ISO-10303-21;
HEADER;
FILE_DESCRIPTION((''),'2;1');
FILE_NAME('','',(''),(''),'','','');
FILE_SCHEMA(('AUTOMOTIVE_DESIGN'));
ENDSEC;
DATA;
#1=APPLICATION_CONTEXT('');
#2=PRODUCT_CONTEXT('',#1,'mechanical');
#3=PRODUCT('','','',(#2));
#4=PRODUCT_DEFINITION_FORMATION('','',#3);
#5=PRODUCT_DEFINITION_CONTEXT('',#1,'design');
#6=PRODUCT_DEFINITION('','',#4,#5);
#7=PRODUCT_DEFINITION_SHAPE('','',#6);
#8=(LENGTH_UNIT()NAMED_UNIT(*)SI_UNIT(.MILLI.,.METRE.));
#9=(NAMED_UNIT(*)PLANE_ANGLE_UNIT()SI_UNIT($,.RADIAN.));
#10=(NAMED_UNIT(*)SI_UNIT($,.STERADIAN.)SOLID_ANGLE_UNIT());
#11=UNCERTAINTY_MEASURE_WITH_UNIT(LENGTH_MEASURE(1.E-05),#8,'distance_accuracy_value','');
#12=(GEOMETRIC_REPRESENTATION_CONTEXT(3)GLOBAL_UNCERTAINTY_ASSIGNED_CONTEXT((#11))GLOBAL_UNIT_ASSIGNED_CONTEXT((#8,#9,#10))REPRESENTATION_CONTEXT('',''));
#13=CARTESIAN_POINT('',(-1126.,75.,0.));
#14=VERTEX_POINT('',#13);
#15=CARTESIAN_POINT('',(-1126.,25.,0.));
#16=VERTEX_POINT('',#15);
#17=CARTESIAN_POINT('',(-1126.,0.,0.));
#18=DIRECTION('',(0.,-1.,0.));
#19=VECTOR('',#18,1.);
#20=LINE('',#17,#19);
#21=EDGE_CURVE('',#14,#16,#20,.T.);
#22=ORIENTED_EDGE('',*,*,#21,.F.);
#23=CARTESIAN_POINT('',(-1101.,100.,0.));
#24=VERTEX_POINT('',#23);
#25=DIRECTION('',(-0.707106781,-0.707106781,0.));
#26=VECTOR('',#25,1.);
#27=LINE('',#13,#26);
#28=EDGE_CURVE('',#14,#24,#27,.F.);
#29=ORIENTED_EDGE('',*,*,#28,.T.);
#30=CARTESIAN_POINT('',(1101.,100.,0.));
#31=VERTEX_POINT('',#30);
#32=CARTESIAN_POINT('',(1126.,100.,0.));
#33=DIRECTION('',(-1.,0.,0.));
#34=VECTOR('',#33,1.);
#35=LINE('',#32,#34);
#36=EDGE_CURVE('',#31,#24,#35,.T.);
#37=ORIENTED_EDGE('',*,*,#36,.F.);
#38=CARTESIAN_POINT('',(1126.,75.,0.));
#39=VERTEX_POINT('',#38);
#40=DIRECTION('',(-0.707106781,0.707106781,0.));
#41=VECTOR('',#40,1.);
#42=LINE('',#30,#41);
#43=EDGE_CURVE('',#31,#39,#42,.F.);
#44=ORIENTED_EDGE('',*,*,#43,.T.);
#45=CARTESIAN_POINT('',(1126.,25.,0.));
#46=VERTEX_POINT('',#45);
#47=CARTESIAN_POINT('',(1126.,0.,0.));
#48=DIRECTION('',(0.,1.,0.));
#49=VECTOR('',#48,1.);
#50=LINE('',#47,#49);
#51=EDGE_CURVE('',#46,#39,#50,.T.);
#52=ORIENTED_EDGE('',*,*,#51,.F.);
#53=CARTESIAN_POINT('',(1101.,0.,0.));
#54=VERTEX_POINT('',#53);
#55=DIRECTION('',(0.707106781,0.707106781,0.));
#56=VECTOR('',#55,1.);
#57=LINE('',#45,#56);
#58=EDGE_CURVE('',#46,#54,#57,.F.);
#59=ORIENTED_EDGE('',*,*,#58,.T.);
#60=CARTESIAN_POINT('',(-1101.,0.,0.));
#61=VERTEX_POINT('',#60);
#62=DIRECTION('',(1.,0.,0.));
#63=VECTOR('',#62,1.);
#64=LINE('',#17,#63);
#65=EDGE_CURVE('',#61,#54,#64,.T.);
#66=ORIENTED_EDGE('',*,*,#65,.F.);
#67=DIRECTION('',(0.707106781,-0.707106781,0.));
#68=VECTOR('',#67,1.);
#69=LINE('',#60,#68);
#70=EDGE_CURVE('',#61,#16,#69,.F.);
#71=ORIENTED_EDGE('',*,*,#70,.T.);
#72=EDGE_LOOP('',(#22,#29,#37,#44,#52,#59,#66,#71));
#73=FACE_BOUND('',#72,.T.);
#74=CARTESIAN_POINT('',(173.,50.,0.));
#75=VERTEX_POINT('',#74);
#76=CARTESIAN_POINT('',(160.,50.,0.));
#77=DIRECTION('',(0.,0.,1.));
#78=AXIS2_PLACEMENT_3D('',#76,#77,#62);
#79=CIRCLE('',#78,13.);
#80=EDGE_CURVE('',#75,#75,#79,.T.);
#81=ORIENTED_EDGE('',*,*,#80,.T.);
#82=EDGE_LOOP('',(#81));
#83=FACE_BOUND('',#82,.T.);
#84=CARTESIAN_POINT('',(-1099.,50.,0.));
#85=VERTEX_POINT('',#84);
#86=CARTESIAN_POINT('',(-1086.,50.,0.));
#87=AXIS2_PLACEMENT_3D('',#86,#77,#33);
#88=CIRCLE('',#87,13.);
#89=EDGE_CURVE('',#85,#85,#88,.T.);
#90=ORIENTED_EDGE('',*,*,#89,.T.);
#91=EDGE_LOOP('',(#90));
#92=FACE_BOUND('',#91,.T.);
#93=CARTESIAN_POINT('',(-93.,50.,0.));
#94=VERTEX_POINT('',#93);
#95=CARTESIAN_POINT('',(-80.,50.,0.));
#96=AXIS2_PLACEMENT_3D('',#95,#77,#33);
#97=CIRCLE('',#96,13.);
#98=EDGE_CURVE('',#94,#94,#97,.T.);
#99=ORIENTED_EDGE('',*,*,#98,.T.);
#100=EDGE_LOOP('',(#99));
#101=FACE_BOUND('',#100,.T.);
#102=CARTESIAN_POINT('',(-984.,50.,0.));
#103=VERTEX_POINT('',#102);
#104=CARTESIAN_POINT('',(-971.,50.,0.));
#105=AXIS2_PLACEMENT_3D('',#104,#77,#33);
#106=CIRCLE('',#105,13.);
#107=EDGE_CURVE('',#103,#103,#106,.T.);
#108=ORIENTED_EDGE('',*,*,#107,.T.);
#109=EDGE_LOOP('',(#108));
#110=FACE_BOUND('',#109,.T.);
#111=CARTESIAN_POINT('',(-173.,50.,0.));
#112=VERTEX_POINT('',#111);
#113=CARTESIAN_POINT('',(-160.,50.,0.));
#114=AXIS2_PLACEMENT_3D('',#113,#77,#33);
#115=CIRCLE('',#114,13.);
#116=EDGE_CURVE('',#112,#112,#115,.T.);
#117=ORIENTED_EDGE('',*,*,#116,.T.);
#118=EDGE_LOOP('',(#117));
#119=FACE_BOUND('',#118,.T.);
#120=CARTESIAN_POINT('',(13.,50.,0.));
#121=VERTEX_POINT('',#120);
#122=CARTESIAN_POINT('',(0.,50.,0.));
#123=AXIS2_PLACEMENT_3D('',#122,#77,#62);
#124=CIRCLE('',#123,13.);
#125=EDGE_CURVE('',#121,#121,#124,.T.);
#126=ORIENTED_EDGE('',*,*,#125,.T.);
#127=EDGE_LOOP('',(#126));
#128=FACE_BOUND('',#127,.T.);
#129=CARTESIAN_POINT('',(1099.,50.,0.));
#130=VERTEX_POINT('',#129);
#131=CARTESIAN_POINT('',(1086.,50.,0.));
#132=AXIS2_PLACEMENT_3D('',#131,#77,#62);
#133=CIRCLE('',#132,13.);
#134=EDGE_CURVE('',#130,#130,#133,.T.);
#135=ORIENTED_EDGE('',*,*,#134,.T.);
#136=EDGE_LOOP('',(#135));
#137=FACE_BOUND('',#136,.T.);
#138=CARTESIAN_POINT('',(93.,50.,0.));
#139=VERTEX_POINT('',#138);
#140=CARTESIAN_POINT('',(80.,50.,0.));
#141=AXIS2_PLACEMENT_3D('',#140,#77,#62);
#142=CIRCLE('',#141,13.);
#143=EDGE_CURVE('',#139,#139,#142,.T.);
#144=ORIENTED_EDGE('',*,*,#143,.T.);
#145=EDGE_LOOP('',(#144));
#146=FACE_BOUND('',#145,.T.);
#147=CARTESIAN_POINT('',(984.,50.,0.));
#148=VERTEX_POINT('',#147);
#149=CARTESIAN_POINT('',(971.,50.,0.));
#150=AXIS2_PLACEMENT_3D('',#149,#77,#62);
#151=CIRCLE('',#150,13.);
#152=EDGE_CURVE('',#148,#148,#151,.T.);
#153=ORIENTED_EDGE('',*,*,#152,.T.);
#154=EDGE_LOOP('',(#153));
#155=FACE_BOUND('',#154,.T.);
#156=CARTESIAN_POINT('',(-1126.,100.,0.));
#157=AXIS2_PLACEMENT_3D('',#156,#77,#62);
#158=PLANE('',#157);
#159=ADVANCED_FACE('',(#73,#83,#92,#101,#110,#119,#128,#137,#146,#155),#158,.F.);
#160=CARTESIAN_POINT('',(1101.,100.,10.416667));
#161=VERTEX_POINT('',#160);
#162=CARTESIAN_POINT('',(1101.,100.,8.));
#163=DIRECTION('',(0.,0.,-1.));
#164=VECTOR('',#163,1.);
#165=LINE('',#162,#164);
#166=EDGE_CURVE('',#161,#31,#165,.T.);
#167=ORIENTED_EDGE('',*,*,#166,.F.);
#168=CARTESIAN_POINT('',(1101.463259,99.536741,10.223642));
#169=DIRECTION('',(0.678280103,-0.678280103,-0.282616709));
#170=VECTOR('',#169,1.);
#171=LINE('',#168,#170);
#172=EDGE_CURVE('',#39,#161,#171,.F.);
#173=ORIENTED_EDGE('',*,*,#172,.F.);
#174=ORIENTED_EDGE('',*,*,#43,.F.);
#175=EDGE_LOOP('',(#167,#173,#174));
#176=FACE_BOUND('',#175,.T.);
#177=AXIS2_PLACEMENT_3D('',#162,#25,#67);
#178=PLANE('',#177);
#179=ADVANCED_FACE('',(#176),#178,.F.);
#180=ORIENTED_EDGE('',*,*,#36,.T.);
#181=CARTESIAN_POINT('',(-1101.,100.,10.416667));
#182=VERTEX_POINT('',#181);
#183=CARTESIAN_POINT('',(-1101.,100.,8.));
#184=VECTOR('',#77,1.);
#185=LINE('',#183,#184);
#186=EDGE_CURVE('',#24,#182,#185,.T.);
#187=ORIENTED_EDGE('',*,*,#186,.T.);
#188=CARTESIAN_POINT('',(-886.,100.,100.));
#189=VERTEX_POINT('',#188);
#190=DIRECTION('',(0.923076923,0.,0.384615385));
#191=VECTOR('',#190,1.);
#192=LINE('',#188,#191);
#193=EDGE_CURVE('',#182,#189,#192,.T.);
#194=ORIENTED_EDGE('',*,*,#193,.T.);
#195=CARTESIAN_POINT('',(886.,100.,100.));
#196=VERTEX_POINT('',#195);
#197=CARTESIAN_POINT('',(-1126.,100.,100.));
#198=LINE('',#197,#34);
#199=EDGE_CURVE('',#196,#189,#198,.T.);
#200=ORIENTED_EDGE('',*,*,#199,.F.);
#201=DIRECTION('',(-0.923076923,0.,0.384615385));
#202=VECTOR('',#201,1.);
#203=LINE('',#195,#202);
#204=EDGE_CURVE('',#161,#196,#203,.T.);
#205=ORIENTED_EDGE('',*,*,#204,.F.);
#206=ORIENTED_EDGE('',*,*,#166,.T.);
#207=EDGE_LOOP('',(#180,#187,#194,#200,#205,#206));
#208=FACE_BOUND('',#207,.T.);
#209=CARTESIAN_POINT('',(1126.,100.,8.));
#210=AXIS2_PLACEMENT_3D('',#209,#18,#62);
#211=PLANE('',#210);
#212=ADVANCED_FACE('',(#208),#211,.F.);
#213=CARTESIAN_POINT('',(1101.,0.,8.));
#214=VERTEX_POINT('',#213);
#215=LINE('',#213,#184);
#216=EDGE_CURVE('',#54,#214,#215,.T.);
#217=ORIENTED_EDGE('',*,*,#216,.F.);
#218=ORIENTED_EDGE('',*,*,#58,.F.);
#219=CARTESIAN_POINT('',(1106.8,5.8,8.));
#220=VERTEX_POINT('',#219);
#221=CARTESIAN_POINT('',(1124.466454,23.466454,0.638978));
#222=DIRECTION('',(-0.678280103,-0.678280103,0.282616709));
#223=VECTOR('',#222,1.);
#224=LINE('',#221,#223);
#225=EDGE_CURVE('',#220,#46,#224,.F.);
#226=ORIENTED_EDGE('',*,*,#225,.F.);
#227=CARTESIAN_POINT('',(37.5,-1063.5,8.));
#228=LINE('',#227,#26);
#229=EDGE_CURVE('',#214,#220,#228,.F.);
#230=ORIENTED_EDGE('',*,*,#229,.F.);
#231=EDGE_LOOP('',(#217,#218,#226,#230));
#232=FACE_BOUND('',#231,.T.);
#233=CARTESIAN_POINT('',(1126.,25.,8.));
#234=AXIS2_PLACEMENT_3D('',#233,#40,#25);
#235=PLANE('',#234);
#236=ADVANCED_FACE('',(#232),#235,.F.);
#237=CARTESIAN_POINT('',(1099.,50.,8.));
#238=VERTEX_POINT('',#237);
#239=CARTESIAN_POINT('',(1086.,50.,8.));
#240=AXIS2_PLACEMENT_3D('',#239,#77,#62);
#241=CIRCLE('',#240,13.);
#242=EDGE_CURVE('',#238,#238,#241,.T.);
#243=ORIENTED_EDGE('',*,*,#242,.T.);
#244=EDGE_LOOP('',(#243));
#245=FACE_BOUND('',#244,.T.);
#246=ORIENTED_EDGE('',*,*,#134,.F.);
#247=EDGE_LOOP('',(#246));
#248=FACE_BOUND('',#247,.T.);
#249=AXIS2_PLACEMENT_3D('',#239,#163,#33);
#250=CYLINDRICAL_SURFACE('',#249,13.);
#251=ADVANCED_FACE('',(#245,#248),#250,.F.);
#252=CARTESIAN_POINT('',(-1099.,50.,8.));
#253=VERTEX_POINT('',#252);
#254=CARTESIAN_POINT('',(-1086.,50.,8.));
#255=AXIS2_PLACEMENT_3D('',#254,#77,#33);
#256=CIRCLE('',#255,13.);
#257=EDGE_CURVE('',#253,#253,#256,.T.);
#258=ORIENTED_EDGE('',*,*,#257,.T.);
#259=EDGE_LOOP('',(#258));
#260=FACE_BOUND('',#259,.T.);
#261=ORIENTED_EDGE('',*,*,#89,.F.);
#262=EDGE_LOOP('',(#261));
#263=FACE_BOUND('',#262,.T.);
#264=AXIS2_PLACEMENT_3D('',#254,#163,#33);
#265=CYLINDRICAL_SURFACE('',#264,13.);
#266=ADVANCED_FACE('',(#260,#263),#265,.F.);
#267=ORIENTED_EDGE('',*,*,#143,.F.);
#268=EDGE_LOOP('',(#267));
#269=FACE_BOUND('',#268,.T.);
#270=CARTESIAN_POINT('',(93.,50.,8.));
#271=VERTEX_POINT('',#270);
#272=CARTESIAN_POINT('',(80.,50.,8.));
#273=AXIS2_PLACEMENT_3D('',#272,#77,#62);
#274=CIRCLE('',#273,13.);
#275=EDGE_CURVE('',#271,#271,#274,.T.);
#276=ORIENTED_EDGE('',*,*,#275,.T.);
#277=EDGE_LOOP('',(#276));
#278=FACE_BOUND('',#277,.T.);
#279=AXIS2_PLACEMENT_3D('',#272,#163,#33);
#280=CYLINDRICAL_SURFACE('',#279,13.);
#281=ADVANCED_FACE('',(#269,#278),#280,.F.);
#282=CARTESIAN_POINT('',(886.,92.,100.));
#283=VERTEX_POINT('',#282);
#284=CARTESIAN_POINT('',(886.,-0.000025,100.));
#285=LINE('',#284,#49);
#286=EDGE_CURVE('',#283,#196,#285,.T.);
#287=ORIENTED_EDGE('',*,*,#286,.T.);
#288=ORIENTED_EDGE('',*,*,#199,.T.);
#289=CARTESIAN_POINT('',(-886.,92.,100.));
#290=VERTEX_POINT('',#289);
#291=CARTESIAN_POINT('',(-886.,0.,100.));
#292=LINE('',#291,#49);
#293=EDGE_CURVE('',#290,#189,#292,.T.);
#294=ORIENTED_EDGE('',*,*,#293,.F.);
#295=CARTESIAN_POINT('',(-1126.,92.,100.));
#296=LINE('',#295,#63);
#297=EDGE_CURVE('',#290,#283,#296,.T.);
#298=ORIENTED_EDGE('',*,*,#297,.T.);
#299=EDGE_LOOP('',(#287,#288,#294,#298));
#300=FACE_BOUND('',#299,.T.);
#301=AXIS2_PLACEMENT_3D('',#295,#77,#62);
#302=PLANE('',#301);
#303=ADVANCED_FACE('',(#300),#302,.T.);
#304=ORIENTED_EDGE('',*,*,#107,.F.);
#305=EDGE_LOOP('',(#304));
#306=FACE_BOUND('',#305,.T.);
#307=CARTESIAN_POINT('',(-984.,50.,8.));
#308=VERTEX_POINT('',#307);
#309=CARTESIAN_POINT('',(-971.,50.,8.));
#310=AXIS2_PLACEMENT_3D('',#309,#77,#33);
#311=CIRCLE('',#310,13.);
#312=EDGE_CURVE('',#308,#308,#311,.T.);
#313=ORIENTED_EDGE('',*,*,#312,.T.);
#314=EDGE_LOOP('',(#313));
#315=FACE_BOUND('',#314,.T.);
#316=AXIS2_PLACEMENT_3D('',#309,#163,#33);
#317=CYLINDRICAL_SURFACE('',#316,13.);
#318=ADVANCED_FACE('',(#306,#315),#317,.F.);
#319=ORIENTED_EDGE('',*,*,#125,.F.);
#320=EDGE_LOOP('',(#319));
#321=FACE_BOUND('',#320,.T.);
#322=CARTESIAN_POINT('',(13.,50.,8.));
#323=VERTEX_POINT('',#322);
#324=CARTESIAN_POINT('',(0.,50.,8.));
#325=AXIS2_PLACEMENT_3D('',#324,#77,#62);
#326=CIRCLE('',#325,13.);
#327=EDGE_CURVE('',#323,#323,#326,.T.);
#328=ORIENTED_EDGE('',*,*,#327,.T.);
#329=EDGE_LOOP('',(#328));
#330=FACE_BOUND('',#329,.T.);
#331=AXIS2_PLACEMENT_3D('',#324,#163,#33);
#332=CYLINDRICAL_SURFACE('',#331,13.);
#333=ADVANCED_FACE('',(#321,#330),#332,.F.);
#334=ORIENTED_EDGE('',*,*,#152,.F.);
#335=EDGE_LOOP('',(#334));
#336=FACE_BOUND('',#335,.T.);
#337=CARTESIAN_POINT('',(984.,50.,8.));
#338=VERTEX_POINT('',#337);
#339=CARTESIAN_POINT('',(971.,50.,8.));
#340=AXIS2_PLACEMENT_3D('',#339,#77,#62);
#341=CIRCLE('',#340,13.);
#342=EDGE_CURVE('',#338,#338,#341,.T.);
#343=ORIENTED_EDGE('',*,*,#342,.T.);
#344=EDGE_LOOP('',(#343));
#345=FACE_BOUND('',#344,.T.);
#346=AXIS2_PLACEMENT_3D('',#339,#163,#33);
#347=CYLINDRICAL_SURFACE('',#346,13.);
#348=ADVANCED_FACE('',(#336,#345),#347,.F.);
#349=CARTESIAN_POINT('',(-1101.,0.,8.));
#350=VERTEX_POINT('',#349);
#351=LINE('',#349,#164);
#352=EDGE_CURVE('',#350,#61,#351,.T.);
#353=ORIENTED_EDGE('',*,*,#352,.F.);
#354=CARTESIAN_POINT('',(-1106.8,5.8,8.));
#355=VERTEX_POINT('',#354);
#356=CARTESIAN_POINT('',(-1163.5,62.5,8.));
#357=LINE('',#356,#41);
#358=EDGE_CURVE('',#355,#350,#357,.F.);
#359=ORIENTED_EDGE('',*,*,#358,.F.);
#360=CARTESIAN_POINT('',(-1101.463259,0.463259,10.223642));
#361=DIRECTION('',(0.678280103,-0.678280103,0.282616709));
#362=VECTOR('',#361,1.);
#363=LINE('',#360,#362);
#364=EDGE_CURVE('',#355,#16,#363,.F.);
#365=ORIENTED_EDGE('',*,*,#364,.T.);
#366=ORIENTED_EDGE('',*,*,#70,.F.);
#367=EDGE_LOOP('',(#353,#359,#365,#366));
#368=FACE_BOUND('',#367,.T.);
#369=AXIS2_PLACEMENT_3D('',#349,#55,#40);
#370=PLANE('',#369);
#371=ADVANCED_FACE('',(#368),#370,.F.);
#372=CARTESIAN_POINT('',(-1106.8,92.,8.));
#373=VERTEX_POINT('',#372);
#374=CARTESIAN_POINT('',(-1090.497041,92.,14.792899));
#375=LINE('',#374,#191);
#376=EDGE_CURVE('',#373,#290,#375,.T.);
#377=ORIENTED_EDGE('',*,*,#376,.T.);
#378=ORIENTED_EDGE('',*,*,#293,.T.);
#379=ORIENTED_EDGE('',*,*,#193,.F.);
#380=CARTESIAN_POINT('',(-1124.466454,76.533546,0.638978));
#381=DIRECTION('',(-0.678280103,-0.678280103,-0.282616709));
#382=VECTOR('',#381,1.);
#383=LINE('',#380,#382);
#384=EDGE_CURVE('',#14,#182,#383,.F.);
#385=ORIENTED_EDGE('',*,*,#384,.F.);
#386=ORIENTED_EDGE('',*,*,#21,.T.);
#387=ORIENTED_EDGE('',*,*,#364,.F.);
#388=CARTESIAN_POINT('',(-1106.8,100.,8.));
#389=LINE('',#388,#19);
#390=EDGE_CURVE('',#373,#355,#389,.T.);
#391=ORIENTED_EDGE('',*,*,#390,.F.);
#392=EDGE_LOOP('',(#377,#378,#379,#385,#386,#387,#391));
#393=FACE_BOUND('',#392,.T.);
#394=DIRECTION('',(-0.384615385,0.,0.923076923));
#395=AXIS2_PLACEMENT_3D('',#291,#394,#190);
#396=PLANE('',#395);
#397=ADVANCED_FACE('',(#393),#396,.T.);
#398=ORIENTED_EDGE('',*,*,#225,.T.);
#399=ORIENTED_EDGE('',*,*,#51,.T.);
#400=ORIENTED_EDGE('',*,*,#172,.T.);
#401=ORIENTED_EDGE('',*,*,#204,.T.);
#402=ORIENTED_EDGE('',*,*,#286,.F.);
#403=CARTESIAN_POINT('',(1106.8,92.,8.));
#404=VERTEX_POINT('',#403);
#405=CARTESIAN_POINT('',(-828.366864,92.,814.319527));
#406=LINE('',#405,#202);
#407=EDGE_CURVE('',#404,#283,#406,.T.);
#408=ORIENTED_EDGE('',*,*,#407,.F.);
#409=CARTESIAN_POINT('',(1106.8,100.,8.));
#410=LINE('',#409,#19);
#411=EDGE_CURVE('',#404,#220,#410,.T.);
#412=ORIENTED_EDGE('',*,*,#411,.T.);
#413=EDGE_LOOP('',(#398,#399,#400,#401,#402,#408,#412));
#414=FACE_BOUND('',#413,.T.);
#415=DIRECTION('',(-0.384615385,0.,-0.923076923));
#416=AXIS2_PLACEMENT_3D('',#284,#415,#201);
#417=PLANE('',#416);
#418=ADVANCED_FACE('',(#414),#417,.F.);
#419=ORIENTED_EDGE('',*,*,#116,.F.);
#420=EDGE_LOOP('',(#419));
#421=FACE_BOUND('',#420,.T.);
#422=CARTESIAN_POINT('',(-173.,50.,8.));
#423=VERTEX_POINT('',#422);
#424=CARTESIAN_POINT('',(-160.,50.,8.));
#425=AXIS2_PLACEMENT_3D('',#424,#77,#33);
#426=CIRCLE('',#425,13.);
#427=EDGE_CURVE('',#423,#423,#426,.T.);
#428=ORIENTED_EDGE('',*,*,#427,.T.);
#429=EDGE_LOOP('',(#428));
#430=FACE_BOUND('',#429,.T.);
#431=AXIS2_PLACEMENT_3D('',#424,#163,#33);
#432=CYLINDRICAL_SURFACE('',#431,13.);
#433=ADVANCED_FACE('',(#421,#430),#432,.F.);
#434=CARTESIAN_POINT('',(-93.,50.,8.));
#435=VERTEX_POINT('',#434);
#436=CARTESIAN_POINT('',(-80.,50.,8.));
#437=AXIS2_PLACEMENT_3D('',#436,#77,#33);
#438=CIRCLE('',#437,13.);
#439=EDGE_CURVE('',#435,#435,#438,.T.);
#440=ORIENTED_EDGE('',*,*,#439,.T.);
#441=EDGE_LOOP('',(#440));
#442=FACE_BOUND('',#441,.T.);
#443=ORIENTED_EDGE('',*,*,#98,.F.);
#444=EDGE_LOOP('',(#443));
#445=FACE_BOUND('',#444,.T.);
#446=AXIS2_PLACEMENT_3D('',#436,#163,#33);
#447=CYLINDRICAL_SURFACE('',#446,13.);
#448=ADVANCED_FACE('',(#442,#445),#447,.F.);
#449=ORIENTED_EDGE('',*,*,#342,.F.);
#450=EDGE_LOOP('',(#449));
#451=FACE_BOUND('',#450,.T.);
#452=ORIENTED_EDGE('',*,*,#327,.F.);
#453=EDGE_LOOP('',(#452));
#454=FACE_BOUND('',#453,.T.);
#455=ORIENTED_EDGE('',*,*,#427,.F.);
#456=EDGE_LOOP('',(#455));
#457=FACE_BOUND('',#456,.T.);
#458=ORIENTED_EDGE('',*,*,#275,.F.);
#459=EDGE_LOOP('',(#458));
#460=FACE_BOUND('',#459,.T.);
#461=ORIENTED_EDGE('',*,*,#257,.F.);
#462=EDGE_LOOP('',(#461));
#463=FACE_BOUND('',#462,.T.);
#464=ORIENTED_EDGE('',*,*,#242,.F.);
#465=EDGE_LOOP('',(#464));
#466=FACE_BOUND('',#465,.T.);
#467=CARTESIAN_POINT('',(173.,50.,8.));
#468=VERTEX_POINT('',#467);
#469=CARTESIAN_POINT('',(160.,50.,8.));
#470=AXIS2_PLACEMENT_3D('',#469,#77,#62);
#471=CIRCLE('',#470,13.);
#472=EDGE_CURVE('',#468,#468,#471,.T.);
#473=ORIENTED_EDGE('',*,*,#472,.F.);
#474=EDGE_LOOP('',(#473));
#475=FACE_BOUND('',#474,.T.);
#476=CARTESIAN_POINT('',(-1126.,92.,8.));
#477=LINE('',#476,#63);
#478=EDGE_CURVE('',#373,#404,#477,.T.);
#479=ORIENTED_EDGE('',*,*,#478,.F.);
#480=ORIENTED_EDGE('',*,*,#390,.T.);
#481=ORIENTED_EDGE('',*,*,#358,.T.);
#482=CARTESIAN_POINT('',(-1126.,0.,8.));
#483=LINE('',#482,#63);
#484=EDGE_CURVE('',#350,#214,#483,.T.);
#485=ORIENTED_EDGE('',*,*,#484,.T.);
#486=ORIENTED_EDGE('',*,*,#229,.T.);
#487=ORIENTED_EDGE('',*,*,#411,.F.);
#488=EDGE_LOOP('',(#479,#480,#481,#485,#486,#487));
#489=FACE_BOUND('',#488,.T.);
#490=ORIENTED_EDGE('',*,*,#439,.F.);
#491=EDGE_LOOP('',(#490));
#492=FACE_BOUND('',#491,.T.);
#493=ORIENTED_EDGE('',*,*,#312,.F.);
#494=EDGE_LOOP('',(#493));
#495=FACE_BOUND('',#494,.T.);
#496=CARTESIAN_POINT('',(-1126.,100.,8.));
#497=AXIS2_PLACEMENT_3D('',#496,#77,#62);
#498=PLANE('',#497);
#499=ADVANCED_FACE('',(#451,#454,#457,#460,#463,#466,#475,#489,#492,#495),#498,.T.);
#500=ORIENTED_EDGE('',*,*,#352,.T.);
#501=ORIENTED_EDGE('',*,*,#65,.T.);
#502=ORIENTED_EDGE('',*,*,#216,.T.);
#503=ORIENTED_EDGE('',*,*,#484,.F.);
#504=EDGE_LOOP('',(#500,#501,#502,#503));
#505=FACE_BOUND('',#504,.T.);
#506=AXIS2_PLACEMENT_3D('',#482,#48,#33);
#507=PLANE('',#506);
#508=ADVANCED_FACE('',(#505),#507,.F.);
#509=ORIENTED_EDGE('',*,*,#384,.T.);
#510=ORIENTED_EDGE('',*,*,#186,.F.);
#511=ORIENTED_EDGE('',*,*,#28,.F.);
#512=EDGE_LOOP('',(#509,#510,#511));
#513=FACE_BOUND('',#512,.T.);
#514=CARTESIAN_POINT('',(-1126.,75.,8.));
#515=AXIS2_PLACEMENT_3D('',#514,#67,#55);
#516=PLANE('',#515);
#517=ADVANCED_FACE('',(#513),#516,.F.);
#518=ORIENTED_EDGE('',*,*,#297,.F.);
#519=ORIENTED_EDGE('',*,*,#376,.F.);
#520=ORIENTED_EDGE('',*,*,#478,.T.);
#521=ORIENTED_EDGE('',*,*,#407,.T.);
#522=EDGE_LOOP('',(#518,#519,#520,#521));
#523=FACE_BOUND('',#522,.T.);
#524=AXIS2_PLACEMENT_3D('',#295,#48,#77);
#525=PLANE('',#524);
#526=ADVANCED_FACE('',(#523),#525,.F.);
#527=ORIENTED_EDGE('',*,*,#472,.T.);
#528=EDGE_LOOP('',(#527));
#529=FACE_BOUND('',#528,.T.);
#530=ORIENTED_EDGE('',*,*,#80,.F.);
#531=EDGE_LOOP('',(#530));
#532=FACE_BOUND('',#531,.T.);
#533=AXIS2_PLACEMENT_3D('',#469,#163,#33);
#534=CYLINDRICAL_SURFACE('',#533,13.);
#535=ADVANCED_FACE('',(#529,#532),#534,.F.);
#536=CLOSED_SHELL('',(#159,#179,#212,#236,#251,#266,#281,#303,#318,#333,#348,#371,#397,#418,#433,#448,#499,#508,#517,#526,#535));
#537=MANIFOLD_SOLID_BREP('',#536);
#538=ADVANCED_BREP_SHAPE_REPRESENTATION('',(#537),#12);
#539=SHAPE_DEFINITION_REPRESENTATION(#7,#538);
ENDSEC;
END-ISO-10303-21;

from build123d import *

# Parameters (mm, degrees)
SKETCH_1_W          = 2252
SKETCH_1_H          = 100
SKETCH_1_R          = 13
EXTRUDE_1_DEPTH     = 8
SKETCH_2_W          = 2252
SKETCH_2_H          = 8
EXTRUDE_2_DEPTH     = 92
CHAMFER_3_SIZE      = 25
CHAMFER_4_SIZE      = 25
CUT_EXTRUDE_3_DEPTH = 1135.846245092
CHAMFER_5_SIZE      = 25
CHAMFER_6_SIZE      = 25


with BuildPart() as part:
    # 草图1 → 凸台-拉伸1 (new body)
    with BuildSketch(Plane.XY):
        with Locations((0, 50)):
            Rectangle(SKETCH_1_W, SKETCH_1_H)
        with Locations((1086, 50)):
            Circle(SKETCH_1_R, mode=Mode.SUBTRACT)
        with Locations((971, 50)):
            Circle(SKETCH_1_R, mode=Mode.SUBTRACT)
        with Locations((0, 50)):
            Circle(SKETCH_1_R, mode=Mode.SUBTRACT)
        with Locations((80, 50)):
            Circle(SKETCH_1_R, mode=Mode.SUBTRACT)
        with Locations((160, 50)):
            Circle(SKETCH_1_R, mode=Mode.SUBTRACT)
        with Locations(Location((-80, 50, 0), (0, 0, 180))):
            Circle(SKETCH_1_R, mode=Mode.SUBTRACT)
        with Locations(Location((-160, 50, 0), (0, 0, 180))):
            Circle(SKETCH_1_R, mode=Mode.SUBTRACT)
        with Locations(Location((-971, 50, 0), (0, 0, 180))):
            Circle(SKETCH_1_R, mode=Mode.SUBTRACT)
        with Locations(Location((-1086, 50, 0), (0, 0, 180))):
            Circle(SKETCH_1_R, mode=Mode.SUBTRACT)
    extrude(amount=EXTRUDE_1_DEPTH)

    # 草图2 → 凸台-拉伸2 (add)
    with BuildSketch(Plane.XY.offset(8)):
        with Locations((0, 96)):
            Rectangle(SKETCH_2_W, SKETCH_2_H)
    extrude(amount=EXTRUDE_2_DEPTH)

    # 倒角3
    chamfer_3_edges = [part.edges().sort_by_distance(p)[0] for p in [
        (1126, 0, 4),
    ]]
    chamfer(chamfer_3_edges, length=CHAMFER_3_SIZE)

    # 倒角4
    chamfer_4_edges = [part.edges().sort_by_distance(p)[0] for p in [
        (1126, 100, 50),
    ]]
    chamfer(chamfer_4_edges, length=CHAMFER_4_SIZE)

    # 草图3 → 切除-拉伸3 (cut, through all)
    with BuildSketch(Plane(origin=(0, 100, 0), x_dir=(1, 0, 0), z_dir=(0, 1, 0))):
        Polygon((886, -100), (1126, 0), (1126, -100), align=None)
    cut_extrude_3 = extrude(amount=-CUT_EXTRUDE_3_DEPTH, mode=Mode.SUBTRACT)

    # 倒角5
    chamfer_5_edges = [part.edges().sort_by_distance(p)[0] for p in [
        (-1126, 0, 4),
    ]]
    chamfer(chamfer_5_edges, length=CHAMFER_5_SIZE)

    # 倒角6
    chamfer_6_edges = [part.edges().sort_by_distance(p)[0] for p in [
        (-1126, 100, 50),
    ]]
    chamfer(chamfer_6_edges, length=CHAMFER_6_SIZE)

    # 镜向8: 切除-拉伸3 across plane
    add(cut_extrude_3.mirror(Plane(origin=(0, 0, 0), x_dir=(0, 0, 1), z_dir=(1, 0, 0))), mode=Mode.SUBTRACT)


solid = part.part
